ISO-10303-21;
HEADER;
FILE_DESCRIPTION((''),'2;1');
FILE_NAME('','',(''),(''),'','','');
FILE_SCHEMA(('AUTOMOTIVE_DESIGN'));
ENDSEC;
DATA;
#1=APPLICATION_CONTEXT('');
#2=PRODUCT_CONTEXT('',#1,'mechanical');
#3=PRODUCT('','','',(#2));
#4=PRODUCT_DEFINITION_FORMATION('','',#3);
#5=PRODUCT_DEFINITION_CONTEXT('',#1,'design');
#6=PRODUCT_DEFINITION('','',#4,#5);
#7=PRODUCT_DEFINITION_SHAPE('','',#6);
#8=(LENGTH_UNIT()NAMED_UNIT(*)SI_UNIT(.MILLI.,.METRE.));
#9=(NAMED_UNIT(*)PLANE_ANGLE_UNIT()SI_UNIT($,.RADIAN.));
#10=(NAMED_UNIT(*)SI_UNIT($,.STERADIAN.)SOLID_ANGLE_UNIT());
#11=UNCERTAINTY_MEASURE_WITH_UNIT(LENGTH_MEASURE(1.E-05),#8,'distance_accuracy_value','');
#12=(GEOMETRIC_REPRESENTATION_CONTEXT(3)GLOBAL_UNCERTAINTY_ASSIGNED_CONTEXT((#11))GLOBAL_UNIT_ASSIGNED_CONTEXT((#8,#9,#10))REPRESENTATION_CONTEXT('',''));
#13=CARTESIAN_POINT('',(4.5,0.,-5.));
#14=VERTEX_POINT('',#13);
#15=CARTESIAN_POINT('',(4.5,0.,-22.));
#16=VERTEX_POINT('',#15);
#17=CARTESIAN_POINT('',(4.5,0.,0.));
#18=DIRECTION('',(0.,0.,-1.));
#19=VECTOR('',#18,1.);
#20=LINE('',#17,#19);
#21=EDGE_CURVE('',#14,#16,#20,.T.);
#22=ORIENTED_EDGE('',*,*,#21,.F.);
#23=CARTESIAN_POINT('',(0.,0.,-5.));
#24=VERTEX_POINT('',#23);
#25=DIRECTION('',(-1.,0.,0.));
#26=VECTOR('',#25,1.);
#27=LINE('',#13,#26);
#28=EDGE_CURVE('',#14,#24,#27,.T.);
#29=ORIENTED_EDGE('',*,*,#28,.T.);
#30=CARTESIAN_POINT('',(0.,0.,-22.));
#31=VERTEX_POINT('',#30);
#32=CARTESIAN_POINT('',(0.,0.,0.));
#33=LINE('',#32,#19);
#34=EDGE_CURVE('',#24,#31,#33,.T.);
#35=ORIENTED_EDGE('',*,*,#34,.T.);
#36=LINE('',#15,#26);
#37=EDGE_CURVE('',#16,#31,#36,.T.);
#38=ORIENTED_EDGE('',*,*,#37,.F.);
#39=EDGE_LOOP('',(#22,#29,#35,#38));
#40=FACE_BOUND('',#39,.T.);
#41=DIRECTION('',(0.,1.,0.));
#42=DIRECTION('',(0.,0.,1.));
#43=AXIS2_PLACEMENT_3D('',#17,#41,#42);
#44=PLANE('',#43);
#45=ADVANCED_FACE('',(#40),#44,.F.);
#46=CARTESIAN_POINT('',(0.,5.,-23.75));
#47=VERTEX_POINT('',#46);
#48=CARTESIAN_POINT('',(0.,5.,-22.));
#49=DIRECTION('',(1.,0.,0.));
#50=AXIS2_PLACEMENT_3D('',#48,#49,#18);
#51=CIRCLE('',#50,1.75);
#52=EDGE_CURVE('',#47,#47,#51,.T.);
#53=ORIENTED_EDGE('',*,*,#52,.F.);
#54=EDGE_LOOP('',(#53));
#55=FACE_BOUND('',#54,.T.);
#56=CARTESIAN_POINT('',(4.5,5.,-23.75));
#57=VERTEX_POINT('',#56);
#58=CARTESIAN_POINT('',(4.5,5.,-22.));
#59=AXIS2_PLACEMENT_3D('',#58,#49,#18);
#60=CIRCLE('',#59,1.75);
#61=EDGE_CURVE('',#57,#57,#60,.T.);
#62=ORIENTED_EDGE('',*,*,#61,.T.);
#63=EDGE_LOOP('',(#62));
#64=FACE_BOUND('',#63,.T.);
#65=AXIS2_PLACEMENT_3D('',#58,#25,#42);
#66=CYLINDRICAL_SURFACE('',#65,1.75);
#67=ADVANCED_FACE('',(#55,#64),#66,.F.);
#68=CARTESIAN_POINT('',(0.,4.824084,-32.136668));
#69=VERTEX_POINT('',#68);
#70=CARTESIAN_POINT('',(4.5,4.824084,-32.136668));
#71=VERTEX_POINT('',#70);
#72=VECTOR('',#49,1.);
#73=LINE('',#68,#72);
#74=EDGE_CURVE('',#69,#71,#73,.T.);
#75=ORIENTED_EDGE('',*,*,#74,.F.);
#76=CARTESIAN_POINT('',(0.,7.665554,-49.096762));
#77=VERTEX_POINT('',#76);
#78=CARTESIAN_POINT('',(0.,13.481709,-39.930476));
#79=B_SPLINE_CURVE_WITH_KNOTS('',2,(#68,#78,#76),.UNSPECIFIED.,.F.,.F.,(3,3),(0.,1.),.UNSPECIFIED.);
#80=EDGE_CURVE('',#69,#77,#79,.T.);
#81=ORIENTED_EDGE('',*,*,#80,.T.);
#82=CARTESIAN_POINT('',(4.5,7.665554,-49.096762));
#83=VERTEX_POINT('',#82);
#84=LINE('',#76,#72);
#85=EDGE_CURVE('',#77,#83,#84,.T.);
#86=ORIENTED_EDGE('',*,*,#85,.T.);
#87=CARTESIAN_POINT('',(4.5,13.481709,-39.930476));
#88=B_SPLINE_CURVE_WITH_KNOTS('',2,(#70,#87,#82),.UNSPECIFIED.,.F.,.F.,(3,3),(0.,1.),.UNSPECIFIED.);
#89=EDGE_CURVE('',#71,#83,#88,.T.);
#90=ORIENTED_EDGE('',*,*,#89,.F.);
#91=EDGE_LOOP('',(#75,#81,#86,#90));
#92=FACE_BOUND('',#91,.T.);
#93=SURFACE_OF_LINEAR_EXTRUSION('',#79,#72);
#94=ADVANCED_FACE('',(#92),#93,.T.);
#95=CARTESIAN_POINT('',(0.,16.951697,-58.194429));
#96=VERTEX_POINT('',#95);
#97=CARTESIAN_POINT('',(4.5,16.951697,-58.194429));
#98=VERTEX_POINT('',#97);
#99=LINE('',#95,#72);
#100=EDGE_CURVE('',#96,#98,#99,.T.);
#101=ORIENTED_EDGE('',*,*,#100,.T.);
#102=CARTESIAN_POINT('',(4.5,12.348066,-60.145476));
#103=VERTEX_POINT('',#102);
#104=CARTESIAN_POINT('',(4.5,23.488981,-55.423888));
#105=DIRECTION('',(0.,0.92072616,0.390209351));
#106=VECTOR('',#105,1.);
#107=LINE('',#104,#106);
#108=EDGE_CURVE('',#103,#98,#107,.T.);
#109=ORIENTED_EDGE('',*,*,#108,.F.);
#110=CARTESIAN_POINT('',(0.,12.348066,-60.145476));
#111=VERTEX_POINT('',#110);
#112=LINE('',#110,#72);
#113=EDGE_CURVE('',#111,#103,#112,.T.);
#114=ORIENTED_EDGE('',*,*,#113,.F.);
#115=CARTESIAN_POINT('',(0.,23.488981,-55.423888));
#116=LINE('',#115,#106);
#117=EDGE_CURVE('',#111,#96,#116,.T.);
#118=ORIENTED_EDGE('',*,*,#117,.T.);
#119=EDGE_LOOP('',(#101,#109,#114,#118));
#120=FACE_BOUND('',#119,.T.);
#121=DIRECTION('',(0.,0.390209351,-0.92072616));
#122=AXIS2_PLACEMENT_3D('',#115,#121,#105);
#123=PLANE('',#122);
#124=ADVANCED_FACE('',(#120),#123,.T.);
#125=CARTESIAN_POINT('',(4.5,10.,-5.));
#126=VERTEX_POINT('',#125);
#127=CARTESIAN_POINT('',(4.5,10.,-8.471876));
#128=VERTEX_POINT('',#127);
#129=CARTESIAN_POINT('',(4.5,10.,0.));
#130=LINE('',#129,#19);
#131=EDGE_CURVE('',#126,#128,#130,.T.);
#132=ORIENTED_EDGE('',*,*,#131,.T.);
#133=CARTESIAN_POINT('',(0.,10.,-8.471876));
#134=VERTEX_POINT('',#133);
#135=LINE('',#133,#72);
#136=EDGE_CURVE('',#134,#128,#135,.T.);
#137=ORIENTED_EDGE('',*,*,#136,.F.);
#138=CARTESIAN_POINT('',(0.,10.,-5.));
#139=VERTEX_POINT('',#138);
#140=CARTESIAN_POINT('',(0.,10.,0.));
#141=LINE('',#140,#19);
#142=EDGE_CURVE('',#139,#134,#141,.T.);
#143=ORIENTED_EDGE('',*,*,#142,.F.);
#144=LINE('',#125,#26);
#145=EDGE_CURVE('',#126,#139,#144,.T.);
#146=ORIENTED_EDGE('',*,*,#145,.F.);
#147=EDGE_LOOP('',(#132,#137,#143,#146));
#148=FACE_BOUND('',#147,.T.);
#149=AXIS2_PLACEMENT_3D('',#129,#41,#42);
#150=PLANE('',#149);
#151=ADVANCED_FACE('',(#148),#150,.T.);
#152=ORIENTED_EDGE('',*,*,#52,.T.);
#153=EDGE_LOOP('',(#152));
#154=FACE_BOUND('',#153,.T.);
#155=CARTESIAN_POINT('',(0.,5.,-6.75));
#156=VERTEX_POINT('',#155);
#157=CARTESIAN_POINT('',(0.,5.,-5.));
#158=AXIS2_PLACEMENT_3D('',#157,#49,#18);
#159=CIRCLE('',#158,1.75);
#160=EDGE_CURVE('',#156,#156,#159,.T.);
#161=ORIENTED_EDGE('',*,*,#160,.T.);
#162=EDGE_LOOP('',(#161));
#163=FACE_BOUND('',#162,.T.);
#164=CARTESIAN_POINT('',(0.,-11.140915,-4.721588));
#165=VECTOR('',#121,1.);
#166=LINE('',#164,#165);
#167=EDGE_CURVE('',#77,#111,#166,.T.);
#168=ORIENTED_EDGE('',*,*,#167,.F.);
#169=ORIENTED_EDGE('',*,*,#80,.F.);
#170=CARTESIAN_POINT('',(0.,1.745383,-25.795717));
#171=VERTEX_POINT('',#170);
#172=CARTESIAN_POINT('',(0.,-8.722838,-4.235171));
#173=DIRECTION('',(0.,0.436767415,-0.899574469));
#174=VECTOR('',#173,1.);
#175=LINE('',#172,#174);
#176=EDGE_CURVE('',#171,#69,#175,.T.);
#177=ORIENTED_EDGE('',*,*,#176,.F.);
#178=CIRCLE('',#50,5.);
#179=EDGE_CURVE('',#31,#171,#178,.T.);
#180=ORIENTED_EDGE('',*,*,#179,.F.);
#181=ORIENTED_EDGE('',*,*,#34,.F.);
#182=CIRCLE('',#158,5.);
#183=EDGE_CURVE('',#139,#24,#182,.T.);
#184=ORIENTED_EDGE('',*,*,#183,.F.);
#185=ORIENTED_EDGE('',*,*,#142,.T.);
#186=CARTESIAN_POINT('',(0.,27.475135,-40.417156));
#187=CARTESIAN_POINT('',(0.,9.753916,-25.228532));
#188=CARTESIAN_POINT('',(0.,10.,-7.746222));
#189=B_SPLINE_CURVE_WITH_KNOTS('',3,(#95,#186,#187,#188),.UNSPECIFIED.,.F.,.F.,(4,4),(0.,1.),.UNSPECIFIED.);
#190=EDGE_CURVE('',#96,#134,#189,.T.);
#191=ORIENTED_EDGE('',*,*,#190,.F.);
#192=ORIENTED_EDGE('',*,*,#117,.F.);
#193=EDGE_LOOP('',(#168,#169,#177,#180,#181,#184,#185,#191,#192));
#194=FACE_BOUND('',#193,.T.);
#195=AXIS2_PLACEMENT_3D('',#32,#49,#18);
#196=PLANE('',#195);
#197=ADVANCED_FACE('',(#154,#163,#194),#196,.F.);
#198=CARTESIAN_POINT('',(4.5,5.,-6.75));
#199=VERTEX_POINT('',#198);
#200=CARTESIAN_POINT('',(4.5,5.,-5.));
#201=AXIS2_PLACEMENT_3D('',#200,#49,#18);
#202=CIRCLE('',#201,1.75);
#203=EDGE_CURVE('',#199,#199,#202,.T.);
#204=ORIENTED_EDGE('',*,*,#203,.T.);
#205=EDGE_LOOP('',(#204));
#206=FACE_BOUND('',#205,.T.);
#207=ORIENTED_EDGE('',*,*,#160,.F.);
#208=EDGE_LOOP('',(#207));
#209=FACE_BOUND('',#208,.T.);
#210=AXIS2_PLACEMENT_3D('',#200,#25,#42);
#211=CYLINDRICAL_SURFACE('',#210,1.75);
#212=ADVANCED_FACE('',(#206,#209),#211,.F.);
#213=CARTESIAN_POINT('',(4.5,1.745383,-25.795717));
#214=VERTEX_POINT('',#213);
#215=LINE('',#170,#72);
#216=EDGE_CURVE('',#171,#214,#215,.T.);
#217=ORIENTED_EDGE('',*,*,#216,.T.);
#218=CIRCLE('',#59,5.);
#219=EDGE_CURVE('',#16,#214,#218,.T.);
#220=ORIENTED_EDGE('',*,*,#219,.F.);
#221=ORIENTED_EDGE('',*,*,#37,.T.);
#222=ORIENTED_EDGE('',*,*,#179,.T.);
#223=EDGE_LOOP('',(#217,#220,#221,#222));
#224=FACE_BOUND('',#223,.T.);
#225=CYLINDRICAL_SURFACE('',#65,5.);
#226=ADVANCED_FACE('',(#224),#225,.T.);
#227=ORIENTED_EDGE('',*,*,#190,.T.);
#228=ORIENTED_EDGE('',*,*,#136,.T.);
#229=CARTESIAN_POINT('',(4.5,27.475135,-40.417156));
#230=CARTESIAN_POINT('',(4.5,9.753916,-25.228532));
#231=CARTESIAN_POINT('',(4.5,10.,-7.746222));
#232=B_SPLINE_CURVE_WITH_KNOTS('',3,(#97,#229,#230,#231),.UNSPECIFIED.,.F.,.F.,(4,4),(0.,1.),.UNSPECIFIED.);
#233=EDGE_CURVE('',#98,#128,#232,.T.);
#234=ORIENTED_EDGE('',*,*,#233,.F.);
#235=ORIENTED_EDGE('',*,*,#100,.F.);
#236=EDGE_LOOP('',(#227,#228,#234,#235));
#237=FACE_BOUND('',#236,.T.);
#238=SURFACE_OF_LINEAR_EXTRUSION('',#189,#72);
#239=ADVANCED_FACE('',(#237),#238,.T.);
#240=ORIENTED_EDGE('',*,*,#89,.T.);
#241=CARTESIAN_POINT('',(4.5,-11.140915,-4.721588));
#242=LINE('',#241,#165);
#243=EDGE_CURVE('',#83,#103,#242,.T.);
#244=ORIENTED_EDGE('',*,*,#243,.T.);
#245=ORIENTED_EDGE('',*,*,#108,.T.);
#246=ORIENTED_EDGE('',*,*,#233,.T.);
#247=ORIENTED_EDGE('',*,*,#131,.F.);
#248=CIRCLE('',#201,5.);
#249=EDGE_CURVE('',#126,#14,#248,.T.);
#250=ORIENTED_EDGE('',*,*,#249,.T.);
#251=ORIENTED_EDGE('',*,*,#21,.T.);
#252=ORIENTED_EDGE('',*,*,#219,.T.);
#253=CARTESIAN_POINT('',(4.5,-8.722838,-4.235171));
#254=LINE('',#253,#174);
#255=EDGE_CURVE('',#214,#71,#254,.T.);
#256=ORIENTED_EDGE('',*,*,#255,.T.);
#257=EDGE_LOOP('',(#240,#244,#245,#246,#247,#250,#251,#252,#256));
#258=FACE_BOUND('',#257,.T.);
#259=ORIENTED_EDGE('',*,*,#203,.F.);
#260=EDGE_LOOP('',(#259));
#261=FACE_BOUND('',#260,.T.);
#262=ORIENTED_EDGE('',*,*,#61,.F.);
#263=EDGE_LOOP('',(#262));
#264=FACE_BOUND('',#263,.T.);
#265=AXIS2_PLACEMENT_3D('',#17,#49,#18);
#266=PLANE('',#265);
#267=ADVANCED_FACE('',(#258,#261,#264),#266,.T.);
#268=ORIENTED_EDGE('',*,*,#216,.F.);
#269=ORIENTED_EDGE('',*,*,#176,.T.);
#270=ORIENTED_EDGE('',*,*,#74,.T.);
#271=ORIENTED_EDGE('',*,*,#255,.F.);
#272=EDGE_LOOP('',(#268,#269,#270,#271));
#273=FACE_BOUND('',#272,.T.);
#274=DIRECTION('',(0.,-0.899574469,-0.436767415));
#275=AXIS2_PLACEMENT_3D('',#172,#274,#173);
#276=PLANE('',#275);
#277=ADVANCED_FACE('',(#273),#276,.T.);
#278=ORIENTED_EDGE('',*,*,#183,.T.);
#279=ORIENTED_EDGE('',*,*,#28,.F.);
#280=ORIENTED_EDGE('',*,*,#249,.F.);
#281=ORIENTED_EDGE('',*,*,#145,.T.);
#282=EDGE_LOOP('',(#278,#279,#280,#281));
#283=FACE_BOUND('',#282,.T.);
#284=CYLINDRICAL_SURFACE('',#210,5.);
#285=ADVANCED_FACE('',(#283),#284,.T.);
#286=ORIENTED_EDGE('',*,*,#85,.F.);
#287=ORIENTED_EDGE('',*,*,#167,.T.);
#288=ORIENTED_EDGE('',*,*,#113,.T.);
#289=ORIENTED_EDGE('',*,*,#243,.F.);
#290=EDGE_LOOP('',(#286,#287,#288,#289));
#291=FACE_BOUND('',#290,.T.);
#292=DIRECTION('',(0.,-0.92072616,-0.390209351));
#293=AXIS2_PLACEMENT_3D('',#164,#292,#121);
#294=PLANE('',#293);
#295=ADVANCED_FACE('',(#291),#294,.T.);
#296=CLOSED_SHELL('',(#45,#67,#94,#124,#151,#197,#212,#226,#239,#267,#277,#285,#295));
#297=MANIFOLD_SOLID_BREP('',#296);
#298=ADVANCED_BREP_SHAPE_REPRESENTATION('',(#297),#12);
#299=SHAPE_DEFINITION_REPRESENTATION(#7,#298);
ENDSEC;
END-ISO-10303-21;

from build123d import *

# Parameters (mm, degrees)
SKETCH1_R           = 1.75
BOSS_EXTRUDE1_DEPTH = 4.5
BOSS_EXTRUDE2_DEPTH = 4.5


with BuildPart() as part:
    # Sketch1 → Boss-Extrude1 (new body)
    with BuildSketch(Plane(origin=(0, 0, 0), x_dir=(0, 0, -1), z_dir=(1, 0, 0))):
        with BuildLine():
            Line((22, 10), (5, 10))
            ThreePointArc((5, 10), (0, 5), (5, 0))
            Line((5, 0), (22, 0))
            ThreePointArc((22, 0), (27, 5), (22, 10))
        make_face()
        with Locations((5, 5)):
            Circle(SKETCH1_R, mode=Mode.SUBTRACT)
        with Locations((22, 5)):
            Circle(SKETCH1_R, mode=Mode.SUBTRACT)
    extrude(amount=BOSS_EXTRUDE1_DEPTH)

    # Sketch2 → Boss-Extrude2 (add)
    with BuildSketch(Plane(origin=(4.5, 0, 5.948752288), x_dir=(0, 0, -1), z_dir=(1, 0, 0))):
        with BuildLine():
            add(Edge.make_bspline(
                [(64.143181637, 16.951696957), (46.3659084, 27.475135201), (31.177283873, 9.75391621), (13.694974759, 10)],
                knots=[0, 0, 0, 0, 1, 1, 1, 1], degree=3))
            Line((13.694974759, 10), (26.999543269, 9.812722758))
            ThreePointArc((26.999543269, 9.812722758), (31.550747241, 5.770381866), (28.824655416, 0.327735373))
            Line((28.824655416, 0.327735373), (38.08542066, 4.824084077))
            add(Edge.make_bspline(
                [(38.08542066, 4.824084077), (45.879227883, 13.481709162), (55.04551447, 7.665553941)],
                knots=[0, 0, 0, 1, 1, 1], degree=2))
            Line((55.04551447, 7.665553941), (66.094228393, 12.348066156))
            Line((66.094228393, 12.348066156), (64.143181637, 16.951696957))
        make_face()
    extrude(amount=-BOSS_EXTRUDE2_DEPTH)


solid = part.part
